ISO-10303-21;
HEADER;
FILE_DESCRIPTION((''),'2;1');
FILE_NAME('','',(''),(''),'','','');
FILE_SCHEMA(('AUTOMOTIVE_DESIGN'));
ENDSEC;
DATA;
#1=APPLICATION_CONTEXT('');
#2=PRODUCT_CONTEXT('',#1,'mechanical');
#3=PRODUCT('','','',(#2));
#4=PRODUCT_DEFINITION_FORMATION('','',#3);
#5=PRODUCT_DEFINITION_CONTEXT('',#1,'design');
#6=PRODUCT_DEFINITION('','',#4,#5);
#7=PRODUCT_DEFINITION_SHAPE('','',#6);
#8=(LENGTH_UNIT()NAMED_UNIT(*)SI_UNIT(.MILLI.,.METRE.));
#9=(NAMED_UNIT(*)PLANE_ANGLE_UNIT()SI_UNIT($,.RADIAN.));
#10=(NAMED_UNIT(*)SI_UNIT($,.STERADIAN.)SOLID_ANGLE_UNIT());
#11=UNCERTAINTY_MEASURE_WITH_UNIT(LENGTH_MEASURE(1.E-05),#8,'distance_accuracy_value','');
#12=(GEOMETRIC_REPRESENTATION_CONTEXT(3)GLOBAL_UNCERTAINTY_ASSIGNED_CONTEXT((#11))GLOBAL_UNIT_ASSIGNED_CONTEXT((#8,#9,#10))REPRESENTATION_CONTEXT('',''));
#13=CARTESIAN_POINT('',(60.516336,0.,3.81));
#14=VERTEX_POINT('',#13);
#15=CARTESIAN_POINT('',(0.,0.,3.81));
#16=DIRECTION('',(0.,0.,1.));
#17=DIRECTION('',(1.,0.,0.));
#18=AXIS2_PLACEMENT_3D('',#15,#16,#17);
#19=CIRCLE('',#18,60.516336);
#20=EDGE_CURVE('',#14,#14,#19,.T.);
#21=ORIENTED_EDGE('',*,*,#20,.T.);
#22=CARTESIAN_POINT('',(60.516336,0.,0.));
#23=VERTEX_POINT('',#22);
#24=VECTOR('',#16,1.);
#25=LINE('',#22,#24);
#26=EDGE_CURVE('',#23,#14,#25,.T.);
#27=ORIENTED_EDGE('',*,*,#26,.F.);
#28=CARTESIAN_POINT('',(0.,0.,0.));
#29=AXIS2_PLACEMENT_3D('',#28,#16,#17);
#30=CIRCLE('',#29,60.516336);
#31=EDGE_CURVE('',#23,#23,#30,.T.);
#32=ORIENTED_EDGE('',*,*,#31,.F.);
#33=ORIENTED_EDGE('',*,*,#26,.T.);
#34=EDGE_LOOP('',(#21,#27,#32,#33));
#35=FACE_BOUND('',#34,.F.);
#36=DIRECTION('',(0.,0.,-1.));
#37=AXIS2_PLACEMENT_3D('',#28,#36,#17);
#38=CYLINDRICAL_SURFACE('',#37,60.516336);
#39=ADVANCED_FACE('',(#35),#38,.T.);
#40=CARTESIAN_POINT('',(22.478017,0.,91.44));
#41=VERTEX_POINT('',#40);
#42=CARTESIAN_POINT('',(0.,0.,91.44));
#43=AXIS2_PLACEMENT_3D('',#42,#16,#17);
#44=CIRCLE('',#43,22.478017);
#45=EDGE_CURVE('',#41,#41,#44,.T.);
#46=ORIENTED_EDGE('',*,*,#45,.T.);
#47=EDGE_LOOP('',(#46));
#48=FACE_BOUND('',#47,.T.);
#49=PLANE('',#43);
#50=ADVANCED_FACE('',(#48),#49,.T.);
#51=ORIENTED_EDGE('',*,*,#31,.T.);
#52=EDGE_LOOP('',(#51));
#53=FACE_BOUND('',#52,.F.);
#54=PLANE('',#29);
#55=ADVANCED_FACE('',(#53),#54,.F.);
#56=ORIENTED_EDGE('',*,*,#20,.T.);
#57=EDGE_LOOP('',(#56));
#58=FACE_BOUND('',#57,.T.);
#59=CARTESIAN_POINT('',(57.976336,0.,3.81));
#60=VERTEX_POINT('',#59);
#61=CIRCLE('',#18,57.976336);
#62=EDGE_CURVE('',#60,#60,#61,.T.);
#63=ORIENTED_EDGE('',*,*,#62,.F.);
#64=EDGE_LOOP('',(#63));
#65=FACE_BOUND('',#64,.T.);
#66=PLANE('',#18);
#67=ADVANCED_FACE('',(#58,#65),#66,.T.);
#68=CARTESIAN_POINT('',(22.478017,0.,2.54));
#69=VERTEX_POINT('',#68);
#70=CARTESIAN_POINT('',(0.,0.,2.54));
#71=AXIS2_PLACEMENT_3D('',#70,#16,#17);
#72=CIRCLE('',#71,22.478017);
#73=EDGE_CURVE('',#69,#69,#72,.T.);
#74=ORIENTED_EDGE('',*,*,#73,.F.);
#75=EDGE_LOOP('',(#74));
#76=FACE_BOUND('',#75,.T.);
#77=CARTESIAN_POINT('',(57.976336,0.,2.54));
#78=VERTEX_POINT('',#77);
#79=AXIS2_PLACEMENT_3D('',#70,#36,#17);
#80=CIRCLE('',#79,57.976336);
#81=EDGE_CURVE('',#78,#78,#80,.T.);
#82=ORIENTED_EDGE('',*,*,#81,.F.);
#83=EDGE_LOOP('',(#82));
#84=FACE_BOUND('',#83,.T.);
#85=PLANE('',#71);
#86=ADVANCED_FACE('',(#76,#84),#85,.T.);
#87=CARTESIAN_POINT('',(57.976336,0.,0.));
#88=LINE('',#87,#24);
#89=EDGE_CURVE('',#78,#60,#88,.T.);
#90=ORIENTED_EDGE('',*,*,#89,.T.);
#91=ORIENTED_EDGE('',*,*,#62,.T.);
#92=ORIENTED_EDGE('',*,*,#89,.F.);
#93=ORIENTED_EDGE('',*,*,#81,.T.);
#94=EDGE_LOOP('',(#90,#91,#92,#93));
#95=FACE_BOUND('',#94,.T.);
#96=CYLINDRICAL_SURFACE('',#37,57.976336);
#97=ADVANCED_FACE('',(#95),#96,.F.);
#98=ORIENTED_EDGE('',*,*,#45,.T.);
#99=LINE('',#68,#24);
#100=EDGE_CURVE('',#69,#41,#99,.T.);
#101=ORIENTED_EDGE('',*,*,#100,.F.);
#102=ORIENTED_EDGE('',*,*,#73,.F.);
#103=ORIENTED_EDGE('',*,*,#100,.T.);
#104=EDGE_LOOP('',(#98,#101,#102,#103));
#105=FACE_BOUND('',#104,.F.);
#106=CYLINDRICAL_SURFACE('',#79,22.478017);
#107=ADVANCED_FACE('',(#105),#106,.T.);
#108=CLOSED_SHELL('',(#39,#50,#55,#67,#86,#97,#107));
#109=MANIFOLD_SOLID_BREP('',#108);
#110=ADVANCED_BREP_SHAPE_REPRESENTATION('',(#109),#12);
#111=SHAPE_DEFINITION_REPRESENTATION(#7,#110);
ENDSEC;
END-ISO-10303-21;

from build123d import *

# Parameters (mm, degrees)
F0_R     = 60.516336
F1_DEPTH = 3.81
F2_T     = -2.54
F3_R     = 22.478017
F4_DEPTH = 88.9


with BuildPart() as f1:
    # F0 (on Top) → F1 (new body)
    with BuildSketch(Plane.XY):
        Circle(F0_R)
    extrude(amount=F1_DEPTH)

    # F2
    f2_openings = [f1.faces().sort_by_distance(p)[0] for p in [
        (0, 0, 3.81),
    ]]
    offset(amount=F2_T, openings=f2_openings)

    # F3 (on face) → F4 (join)
    with BuildSketch(Plane.XY.offset(2.54)):
        Circle(F3_R)
    extrude(amount=F4_DEPTH)


solid = f1.part
